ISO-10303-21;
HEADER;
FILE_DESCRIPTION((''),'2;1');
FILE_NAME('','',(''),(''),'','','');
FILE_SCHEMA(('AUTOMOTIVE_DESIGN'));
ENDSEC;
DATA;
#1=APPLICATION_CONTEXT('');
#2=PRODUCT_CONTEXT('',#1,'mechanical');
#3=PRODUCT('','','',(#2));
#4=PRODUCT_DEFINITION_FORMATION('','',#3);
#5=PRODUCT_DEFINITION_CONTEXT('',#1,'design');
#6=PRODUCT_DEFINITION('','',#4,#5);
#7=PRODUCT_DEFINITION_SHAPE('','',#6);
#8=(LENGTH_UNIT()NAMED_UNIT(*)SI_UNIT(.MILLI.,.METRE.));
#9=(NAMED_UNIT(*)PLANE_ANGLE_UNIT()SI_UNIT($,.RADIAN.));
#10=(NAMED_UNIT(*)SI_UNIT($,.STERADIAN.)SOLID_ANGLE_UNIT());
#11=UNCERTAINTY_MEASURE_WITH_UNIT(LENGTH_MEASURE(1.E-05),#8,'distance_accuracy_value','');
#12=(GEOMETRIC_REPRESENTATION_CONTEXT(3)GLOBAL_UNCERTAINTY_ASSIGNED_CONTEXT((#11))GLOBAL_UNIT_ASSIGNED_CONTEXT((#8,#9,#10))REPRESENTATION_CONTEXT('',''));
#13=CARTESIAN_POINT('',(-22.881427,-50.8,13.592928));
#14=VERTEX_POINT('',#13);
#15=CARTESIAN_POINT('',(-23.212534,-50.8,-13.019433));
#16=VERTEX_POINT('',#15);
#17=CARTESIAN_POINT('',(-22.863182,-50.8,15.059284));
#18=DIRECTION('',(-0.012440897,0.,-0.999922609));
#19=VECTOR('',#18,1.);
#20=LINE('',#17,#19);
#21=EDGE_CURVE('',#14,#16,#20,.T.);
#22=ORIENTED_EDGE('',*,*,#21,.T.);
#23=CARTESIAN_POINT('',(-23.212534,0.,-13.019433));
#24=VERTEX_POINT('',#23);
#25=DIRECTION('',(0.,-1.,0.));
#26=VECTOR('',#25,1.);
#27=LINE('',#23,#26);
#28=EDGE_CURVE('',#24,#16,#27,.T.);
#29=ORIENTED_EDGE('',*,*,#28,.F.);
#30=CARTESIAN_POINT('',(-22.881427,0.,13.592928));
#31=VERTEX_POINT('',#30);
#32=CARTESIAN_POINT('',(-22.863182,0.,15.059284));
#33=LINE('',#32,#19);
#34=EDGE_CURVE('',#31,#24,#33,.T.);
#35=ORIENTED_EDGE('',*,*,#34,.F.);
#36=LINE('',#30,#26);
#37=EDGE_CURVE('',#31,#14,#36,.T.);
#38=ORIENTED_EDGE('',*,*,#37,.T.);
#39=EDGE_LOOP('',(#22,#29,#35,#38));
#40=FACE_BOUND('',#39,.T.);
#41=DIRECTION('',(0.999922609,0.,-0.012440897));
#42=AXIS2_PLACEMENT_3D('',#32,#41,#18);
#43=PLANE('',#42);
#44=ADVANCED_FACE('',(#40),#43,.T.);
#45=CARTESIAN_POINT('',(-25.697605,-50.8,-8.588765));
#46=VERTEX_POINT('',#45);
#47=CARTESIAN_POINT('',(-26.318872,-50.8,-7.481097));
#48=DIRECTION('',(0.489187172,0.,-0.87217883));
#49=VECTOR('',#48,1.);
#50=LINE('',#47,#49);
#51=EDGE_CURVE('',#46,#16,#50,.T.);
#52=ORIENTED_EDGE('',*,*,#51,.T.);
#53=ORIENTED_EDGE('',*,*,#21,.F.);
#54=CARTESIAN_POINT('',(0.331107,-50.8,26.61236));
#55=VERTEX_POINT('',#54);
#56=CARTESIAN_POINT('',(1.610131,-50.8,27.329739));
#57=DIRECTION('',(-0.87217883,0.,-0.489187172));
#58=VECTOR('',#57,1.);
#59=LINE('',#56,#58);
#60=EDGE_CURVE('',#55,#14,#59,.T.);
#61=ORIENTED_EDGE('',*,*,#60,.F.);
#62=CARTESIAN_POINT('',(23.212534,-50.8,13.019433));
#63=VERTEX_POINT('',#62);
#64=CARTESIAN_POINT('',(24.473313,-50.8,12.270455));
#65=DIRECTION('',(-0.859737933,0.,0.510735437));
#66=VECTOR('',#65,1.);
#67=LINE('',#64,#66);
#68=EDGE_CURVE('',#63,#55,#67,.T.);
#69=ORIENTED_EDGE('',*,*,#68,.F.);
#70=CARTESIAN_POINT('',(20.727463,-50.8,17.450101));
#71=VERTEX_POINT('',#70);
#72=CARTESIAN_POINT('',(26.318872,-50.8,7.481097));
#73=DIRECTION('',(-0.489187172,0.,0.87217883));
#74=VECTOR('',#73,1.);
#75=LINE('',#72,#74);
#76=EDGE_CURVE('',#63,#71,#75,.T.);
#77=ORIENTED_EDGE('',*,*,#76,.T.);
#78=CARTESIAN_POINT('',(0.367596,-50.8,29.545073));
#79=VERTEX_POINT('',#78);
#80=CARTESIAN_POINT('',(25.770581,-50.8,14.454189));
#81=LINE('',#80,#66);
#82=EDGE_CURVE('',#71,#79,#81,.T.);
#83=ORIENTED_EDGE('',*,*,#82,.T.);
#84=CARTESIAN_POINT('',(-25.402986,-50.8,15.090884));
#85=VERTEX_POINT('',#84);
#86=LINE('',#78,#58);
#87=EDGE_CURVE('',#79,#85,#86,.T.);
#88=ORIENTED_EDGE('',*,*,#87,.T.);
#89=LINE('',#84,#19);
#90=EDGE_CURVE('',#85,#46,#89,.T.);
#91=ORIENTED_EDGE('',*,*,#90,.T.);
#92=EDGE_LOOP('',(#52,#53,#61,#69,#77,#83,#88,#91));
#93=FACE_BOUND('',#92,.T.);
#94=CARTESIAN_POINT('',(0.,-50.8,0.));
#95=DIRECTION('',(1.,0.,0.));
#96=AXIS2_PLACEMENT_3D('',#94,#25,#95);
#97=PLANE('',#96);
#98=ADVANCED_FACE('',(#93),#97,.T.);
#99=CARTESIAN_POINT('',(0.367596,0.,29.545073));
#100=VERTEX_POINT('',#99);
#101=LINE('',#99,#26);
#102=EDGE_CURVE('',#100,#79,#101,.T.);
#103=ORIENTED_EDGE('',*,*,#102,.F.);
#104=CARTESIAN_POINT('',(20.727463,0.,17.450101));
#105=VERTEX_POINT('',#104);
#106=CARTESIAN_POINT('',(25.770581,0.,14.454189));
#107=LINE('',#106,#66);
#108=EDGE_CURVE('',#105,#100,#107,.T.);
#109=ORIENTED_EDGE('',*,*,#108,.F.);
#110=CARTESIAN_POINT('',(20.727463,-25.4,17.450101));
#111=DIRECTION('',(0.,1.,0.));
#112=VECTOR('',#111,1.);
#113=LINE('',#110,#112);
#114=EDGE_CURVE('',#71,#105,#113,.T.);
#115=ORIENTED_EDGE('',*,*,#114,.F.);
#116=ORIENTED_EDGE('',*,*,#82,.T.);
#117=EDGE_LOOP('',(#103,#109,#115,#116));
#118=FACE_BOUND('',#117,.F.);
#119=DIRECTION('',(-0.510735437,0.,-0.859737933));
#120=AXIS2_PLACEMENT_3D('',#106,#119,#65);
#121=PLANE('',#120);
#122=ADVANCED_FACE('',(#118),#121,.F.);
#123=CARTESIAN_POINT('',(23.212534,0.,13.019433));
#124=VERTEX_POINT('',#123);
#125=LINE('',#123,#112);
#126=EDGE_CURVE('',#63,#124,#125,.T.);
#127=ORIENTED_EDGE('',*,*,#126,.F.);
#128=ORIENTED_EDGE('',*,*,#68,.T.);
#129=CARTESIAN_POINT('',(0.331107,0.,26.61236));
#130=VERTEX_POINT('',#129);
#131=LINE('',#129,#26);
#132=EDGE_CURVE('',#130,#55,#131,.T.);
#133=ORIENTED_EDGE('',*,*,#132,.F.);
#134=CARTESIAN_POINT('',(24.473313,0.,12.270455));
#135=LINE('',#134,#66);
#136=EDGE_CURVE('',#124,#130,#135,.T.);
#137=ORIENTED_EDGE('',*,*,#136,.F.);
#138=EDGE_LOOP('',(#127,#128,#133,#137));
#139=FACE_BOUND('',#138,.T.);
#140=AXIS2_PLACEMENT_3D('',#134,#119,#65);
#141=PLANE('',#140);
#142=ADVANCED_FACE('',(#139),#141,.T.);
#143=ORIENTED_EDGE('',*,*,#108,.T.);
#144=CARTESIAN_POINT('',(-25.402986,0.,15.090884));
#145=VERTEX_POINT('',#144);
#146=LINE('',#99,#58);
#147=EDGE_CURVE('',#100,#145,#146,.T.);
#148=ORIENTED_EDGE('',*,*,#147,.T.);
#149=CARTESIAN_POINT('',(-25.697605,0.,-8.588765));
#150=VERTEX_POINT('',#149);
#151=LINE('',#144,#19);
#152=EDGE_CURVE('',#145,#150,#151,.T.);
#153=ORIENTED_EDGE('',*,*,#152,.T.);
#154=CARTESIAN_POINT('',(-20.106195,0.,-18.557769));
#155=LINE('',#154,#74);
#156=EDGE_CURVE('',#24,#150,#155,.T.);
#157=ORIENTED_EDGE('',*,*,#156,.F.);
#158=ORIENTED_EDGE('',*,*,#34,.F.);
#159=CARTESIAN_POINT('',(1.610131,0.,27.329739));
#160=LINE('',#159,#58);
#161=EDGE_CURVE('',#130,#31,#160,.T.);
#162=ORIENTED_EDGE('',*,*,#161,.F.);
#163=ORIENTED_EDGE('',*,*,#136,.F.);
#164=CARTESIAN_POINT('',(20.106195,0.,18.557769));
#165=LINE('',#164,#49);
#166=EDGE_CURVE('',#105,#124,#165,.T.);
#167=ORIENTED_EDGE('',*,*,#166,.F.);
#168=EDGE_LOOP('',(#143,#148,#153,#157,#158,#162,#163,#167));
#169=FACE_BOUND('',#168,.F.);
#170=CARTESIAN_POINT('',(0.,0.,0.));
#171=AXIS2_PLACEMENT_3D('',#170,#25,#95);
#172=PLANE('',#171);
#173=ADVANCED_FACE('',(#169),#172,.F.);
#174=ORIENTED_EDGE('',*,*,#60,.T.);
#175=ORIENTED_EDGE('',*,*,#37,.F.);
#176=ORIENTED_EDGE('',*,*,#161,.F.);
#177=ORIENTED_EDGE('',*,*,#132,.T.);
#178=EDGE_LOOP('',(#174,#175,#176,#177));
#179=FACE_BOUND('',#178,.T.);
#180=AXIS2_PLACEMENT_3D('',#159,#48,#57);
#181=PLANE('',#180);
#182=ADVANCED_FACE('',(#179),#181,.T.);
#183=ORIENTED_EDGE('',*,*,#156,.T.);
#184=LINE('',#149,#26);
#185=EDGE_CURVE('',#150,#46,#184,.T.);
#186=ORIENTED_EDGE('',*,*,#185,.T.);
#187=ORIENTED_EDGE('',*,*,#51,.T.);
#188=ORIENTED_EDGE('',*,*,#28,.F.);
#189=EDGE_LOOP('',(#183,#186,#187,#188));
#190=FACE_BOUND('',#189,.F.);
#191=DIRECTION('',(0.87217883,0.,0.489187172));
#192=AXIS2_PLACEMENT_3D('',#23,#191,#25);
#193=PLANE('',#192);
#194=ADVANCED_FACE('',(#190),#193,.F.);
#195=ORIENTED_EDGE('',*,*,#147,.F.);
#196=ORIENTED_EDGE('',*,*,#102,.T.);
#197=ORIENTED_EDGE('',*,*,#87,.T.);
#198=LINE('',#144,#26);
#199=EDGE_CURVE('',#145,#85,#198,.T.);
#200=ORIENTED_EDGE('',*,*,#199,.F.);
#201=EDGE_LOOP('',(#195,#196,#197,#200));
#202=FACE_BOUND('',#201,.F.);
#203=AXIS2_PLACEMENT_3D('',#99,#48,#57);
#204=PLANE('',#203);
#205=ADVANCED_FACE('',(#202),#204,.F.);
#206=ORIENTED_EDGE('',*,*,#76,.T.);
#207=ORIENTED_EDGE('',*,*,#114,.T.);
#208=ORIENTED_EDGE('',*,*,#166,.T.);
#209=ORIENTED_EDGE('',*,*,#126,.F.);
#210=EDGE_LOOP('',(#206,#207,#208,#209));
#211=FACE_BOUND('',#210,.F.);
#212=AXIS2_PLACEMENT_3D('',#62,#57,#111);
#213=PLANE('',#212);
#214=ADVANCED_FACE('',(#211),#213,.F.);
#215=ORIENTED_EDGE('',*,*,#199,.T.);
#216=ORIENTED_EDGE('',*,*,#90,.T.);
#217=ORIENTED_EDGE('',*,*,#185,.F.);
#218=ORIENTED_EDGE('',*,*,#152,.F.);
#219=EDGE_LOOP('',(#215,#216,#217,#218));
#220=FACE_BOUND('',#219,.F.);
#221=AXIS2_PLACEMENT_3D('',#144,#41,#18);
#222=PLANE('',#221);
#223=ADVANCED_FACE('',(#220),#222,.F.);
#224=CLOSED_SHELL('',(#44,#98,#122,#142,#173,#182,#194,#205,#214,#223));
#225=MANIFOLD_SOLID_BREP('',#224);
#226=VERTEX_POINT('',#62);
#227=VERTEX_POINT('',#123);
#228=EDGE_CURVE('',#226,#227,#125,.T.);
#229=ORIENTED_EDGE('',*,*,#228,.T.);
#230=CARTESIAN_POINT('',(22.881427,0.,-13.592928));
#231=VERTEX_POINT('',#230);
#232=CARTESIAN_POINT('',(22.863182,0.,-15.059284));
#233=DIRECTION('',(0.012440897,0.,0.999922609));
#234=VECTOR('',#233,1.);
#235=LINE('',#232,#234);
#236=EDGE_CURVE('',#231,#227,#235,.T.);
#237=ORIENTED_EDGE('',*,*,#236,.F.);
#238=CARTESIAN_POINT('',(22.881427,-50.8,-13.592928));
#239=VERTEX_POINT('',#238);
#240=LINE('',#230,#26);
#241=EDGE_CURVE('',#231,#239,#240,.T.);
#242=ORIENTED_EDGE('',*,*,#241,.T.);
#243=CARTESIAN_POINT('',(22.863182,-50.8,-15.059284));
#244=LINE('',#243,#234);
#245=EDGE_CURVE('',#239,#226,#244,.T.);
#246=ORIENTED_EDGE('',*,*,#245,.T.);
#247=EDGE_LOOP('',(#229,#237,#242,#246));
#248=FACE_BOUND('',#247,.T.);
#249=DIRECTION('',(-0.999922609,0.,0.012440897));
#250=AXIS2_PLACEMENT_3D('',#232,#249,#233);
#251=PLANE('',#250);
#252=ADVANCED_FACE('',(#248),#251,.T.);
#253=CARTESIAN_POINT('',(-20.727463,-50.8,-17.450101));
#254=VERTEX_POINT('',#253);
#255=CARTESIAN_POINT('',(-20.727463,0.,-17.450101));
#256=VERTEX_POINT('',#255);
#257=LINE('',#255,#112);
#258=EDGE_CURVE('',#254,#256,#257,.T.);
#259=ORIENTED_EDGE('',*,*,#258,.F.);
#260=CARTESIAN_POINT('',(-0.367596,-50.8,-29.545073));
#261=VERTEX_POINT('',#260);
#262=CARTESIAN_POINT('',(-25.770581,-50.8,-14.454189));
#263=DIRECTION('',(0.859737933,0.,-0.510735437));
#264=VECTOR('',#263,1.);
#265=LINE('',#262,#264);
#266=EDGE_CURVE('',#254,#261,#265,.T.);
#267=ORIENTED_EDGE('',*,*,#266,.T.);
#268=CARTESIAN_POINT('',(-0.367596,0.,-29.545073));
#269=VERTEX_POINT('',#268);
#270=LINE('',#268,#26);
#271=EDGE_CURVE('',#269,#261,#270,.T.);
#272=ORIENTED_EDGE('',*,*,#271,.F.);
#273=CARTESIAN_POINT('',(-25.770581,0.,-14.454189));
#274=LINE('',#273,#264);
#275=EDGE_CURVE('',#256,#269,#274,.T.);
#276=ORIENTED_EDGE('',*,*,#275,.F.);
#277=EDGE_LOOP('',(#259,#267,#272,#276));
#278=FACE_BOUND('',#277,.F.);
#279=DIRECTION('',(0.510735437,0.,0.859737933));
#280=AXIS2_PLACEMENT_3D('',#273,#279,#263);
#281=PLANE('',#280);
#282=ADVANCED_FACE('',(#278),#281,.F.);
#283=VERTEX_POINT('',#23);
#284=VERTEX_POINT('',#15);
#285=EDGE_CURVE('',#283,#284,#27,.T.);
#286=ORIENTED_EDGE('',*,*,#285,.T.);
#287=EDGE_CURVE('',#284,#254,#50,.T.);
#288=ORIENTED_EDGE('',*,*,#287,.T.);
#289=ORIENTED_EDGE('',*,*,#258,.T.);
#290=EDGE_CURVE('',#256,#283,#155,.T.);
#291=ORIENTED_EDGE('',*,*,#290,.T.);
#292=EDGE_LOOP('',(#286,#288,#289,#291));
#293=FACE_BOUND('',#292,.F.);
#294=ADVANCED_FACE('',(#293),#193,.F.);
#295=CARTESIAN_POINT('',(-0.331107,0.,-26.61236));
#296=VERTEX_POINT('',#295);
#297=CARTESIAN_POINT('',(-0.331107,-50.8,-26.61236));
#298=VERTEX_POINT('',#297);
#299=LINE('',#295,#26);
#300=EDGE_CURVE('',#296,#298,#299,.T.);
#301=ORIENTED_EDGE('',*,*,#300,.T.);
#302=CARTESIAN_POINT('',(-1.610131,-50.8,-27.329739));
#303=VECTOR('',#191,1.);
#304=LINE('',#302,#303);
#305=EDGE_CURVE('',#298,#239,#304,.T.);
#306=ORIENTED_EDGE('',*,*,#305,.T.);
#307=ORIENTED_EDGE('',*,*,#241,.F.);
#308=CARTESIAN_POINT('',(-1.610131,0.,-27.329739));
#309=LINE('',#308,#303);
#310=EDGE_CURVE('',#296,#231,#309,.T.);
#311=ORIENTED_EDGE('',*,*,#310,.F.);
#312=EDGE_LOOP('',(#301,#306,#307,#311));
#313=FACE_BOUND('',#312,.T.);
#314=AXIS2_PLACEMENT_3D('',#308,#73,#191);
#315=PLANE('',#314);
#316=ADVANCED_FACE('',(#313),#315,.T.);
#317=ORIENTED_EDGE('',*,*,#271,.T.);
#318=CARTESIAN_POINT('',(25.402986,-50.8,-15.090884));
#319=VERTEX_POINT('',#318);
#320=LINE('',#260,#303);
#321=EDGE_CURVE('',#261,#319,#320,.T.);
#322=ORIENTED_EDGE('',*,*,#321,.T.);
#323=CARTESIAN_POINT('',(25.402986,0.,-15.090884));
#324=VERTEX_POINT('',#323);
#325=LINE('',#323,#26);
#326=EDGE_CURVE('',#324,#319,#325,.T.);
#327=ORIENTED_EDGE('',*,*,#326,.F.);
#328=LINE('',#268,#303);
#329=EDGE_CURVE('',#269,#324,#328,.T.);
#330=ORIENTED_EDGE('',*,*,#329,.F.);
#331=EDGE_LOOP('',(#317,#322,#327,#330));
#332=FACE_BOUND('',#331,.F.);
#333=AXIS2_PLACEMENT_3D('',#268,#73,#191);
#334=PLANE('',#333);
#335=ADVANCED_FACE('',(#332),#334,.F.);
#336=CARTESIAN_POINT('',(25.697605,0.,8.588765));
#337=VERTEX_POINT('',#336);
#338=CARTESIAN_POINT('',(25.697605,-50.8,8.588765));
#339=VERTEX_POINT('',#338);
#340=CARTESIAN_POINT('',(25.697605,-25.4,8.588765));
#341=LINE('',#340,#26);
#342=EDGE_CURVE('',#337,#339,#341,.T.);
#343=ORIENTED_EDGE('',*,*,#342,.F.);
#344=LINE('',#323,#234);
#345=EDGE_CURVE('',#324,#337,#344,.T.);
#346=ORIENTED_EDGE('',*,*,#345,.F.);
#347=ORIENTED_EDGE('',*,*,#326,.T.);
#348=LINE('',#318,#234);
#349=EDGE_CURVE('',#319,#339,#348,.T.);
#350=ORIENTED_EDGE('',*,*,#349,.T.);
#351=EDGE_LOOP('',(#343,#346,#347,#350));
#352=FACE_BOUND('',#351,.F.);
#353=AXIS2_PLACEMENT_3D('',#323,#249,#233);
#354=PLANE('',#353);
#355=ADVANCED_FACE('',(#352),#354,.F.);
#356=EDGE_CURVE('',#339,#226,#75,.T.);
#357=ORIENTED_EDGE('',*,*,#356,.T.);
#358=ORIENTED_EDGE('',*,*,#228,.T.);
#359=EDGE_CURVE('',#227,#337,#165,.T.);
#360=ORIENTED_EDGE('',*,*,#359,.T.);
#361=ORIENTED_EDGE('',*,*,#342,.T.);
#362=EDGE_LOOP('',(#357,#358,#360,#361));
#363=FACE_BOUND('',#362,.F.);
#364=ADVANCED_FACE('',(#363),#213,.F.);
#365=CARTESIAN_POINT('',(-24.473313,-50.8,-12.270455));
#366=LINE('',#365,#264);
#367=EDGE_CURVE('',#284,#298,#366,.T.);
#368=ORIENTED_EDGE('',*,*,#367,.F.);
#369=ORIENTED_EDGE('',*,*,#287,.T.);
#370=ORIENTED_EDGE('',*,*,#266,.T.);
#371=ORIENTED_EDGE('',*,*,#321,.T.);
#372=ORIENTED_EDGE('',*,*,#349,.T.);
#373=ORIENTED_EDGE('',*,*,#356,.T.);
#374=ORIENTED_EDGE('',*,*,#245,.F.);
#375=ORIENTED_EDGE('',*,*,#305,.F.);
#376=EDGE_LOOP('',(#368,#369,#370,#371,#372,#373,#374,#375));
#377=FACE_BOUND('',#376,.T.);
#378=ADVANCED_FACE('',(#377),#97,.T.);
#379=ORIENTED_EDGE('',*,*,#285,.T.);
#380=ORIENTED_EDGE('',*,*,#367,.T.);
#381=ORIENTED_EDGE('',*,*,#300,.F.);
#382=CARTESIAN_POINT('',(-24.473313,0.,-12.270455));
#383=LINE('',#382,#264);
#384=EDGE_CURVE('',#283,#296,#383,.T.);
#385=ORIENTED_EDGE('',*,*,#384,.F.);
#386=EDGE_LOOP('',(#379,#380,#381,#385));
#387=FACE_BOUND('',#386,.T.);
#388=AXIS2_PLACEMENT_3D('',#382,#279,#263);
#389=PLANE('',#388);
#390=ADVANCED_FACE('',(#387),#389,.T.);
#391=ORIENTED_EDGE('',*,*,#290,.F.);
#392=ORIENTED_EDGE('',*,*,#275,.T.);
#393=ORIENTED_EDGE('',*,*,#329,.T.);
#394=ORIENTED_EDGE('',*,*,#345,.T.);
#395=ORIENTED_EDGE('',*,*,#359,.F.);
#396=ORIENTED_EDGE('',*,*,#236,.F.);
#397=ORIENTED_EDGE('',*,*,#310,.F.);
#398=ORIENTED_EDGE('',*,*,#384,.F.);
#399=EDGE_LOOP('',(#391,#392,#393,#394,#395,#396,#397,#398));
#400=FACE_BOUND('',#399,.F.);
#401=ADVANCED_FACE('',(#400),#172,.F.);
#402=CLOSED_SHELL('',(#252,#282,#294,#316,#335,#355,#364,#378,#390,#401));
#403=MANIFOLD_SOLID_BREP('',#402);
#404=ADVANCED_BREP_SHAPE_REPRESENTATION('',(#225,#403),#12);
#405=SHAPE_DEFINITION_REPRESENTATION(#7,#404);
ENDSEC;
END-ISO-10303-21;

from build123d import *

# Parameters (mm, degrees)
F1_DEPTH = 50.8
F2_T     = -2.54
F3_DEPTH = 6.35


with BuildPart() as f1:
    # F0 (on Front) → F1 (new body)
    with BuildSketch(Plane.XZ):
        Polygon((25.7705814952, 14.4541892727), (0.3675956464, 29.5450728815), (-25.4029858488, 15.0908836088), (-25.7705814952, -14.4541892727), (-0.3675956464, -29.5450728815), (25.4029858488, -15.0908836088), align=None)
    extrude(amount=F1_DEPTH)

    # F2
    f2_openings = [f1.faces().sort_by_distance(p)[0] for p in [
        (0, 0, 0),
        (0, -50.8, 0),
    ]]
    offset(amount=F2_T, openings=f2_openings)

    # F3 (intersect, symmetric): faces of the model
    f3_faces = [f1.faces().sort_by_distance(p)[0] for p in [
        (11.2751596844, -25.4, -20.102644018),
        (-11.7718205606, -25.4, -19.8158967274),
        (23.046980245, -25.4, -0.2867472906),
        (11.7718205606, -25.4, 19.8158967274),
        (-23.046980245, -25.4, 0.2867472906),
        (-11.2751596844, -25.4, 20.102644018),
    ]]
    extrude(f3_faces, amount=F3_DEPTH, both=True, dir=(-0.489187172, 0, 0.8721788296), mode=Mode.INTERSECT)


solid = f1.part
